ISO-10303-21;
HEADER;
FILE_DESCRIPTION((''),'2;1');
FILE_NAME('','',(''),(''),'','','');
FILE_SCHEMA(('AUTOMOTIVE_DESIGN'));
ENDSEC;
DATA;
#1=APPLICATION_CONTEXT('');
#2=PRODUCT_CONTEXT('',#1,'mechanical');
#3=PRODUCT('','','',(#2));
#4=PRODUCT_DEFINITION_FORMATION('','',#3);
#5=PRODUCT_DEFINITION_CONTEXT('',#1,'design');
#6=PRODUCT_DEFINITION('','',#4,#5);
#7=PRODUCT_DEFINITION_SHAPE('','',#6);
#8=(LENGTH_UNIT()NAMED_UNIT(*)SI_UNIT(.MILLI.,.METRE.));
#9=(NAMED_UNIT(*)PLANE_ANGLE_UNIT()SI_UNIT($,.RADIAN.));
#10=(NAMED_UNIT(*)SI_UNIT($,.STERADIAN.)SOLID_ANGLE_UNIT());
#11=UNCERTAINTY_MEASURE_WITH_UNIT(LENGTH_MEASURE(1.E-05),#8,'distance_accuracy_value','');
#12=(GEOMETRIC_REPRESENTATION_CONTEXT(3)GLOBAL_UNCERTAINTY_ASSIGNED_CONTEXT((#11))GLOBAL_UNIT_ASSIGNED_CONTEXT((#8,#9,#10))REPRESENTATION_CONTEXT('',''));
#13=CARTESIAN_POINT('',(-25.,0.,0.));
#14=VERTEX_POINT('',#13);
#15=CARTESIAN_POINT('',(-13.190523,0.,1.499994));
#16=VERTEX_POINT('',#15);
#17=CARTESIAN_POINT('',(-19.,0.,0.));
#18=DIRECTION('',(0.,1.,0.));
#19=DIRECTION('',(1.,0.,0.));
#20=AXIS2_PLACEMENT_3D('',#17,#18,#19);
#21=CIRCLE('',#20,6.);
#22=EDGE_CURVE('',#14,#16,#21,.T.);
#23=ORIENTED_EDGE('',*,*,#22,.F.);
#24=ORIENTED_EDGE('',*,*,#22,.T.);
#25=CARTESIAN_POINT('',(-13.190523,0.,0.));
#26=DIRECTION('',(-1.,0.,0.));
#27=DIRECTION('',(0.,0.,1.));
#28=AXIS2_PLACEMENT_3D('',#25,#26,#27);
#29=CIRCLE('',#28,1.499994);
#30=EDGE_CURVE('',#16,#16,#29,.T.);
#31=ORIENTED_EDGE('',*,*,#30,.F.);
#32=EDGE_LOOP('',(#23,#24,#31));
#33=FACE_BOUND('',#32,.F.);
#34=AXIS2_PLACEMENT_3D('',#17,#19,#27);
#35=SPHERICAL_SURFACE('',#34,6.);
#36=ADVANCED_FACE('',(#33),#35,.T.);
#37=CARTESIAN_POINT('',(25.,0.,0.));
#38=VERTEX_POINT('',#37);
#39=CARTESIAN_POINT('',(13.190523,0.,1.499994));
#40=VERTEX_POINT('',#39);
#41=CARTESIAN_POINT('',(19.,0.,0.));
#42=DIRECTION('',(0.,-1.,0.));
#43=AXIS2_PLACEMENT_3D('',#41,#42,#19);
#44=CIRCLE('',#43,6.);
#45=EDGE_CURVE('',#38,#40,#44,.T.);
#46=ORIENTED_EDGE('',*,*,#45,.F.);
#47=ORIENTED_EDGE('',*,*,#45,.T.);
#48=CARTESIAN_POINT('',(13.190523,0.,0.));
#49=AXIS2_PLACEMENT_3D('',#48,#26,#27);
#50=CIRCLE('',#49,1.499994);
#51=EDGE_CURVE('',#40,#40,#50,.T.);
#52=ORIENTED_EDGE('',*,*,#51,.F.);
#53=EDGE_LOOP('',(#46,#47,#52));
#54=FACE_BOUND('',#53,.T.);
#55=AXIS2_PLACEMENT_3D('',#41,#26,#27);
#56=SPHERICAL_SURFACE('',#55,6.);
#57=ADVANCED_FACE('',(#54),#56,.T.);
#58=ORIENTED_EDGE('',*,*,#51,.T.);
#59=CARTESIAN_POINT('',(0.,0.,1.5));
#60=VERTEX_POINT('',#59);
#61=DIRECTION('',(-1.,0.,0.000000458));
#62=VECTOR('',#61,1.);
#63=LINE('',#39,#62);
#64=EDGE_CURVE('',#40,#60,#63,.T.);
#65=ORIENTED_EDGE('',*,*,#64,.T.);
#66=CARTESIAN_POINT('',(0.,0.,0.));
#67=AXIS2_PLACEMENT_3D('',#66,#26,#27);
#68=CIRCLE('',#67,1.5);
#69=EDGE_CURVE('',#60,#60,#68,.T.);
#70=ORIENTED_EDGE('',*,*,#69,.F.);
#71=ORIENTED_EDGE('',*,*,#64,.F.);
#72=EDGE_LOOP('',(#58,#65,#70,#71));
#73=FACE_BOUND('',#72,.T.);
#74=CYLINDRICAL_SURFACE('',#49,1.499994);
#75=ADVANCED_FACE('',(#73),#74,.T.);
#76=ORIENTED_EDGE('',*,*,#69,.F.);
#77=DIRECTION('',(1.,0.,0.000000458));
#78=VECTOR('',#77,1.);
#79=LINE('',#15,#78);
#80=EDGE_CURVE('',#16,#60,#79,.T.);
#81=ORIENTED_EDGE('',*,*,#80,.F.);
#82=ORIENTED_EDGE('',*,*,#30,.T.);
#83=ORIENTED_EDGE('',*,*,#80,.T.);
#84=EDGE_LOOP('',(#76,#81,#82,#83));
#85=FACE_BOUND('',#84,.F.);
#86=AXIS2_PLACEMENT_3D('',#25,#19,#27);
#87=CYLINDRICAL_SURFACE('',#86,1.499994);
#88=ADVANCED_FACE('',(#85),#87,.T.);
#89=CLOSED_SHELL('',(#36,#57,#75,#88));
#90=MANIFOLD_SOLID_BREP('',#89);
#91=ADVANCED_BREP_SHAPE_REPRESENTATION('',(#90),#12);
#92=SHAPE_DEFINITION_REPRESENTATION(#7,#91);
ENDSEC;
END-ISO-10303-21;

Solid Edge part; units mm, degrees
sketch "Sketch1" plane through (0, 0, 0) normal (0, -1, 0) x (1, 0, 0)
  line L0 (-13.1905, 1.5) -> (0, 1.5)
  line L1 (13.1905, 1.5) -> (0, 1.5)
  arc A0 (25, 0) -> (13.1905, 1.5) centre (19, 0) ccw
  line L2 (6, 0) -> (25, 0)
  line L3 (0, 0) -> (6, 0)
  line L4 (0, 0) -> (-6, 0)
  line L5 (-6, 0) -> (-25, 0)
  arc A1 (-25, 0) -> (-13.1905, 1.5) centre (-19, 0) cw
revolve "RevolvedProtrusion1" add sketch "Sketch1" angle 360 about axis through (0, 0, 0) along (-1, 0, 0)
